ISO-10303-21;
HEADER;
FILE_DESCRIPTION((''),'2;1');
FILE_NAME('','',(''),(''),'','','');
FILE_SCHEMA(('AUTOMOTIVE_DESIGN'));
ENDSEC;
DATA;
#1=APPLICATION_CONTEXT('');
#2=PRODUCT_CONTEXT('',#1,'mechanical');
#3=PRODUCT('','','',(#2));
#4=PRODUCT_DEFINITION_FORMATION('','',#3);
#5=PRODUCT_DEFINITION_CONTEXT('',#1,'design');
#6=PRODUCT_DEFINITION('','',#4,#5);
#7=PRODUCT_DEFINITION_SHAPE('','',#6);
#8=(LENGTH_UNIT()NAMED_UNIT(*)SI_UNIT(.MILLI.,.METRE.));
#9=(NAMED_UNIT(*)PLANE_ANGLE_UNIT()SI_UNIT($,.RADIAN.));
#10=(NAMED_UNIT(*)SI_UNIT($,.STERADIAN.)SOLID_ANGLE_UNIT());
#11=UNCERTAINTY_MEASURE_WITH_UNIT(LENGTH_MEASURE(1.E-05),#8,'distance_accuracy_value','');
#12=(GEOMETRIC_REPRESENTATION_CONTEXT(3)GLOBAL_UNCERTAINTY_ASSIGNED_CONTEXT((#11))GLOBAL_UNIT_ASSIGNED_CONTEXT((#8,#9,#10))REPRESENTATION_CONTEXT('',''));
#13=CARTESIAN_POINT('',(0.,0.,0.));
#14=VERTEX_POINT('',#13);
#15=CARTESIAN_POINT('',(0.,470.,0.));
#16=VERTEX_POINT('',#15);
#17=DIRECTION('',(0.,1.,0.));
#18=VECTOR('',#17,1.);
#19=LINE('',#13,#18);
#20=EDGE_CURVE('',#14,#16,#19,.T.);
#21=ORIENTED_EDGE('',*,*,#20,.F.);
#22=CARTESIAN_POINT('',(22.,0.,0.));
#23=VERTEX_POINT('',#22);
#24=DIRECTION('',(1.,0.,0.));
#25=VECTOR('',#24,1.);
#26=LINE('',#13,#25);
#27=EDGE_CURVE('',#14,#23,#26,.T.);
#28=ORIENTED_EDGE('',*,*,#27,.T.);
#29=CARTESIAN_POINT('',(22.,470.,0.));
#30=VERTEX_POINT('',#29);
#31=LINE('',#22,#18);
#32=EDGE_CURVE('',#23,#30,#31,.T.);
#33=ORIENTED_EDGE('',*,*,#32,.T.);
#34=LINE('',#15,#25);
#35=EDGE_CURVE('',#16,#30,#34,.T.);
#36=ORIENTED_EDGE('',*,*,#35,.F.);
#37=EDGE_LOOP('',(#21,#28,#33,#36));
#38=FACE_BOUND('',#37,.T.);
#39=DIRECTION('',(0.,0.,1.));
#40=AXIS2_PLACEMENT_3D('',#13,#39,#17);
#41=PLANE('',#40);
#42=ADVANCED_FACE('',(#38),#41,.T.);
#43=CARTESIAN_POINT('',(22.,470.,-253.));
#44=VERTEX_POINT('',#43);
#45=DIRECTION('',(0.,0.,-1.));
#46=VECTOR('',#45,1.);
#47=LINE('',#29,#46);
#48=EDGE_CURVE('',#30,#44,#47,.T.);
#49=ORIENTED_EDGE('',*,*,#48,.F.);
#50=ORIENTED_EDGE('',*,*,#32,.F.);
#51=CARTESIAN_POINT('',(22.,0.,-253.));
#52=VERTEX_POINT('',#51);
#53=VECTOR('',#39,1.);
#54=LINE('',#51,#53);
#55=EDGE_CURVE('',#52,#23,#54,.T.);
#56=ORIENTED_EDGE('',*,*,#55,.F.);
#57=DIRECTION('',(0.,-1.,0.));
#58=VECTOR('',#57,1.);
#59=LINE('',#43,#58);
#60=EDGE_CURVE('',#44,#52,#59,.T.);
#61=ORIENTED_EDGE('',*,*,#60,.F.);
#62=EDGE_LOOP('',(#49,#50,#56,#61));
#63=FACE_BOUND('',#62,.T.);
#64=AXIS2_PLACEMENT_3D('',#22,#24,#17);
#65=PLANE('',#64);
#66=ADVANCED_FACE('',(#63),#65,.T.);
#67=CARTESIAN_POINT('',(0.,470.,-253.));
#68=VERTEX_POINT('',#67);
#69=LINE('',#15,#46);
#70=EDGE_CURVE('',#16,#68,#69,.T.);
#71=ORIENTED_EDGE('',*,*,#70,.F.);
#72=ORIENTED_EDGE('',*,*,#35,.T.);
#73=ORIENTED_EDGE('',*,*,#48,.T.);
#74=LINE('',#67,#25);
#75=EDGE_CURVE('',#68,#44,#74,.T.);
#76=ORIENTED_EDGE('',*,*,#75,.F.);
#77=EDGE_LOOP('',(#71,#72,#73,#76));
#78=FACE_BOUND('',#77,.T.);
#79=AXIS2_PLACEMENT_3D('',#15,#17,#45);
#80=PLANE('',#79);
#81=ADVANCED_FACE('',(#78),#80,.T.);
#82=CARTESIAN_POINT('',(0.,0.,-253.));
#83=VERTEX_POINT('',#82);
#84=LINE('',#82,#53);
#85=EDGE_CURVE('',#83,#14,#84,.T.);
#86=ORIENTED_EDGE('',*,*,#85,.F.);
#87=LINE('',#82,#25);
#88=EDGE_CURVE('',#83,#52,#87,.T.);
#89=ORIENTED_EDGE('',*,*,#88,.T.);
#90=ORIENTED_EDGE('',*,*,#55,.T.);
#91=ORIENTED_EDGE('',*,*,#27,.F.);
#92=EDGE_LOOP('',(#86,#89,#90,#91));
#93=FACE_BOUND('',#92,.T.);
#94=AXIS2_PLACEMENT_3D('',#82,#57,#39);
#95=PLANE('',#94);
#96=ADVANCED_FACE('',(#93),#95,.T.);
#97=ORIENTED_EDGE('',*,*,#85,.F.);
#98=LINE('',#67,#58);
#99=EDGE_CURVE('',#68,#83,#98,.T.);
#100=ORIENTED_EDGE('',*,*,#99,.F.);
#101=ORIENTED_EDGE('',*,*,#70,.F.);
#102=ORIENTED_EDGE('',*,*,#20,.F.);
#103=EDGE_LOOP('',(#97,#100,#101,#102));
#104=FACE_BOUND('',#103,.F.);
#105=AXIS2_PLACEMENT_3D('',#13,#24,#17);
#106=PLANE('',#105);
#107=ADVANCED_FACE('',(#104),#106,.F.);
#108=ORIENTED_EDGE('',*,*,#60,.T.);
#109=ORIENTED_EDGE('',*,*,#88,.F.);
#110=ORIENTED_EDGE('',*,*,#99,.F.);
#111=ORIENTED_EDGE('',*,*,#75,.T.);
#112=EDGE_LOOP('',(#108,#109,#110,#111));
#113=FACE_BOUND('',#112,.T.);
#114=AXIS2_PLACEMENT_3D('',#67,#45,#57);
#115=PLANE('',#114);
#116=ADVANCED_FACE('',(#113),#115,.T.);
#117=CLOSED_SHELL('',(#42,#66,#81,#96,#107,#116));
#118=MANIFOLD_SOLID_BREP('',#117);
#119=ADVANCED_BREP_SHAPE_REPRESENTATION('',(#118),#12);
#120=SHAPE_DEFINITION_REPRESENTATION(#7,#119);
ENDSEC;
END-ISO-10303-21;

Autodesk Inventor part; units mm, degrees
ref_plane "YZ Plane" through (0, 0, 0) normal (1, 0, 0) x (0, 1, 0)
ref_plane "XZ Plane" through (0, 0, 0) normal (0, 1, 0) x (-1, 0, 0)
ref_plane "XY Plane" through (0, 0, 0) normal (0, 0, 1) x (1, 0, 0)
sketch "Эскиз1" plane through (0, 0, 0) normal (1, 0, 0) x (0, 1, 0)
  line L0 (0, 0) -> (470, 0)
  line L1 (470, 0) -> (470, -253)
  line L2 (470, -253) -> (0, -253)
  line L3 (0, -253) -> (0, 0)
  dimension "d0" = 470
  dimension "d1" = 253
extrude "Выдавливание1" add sketch "Эскиз1" along normal blind 22
properties part number "side_A1"
